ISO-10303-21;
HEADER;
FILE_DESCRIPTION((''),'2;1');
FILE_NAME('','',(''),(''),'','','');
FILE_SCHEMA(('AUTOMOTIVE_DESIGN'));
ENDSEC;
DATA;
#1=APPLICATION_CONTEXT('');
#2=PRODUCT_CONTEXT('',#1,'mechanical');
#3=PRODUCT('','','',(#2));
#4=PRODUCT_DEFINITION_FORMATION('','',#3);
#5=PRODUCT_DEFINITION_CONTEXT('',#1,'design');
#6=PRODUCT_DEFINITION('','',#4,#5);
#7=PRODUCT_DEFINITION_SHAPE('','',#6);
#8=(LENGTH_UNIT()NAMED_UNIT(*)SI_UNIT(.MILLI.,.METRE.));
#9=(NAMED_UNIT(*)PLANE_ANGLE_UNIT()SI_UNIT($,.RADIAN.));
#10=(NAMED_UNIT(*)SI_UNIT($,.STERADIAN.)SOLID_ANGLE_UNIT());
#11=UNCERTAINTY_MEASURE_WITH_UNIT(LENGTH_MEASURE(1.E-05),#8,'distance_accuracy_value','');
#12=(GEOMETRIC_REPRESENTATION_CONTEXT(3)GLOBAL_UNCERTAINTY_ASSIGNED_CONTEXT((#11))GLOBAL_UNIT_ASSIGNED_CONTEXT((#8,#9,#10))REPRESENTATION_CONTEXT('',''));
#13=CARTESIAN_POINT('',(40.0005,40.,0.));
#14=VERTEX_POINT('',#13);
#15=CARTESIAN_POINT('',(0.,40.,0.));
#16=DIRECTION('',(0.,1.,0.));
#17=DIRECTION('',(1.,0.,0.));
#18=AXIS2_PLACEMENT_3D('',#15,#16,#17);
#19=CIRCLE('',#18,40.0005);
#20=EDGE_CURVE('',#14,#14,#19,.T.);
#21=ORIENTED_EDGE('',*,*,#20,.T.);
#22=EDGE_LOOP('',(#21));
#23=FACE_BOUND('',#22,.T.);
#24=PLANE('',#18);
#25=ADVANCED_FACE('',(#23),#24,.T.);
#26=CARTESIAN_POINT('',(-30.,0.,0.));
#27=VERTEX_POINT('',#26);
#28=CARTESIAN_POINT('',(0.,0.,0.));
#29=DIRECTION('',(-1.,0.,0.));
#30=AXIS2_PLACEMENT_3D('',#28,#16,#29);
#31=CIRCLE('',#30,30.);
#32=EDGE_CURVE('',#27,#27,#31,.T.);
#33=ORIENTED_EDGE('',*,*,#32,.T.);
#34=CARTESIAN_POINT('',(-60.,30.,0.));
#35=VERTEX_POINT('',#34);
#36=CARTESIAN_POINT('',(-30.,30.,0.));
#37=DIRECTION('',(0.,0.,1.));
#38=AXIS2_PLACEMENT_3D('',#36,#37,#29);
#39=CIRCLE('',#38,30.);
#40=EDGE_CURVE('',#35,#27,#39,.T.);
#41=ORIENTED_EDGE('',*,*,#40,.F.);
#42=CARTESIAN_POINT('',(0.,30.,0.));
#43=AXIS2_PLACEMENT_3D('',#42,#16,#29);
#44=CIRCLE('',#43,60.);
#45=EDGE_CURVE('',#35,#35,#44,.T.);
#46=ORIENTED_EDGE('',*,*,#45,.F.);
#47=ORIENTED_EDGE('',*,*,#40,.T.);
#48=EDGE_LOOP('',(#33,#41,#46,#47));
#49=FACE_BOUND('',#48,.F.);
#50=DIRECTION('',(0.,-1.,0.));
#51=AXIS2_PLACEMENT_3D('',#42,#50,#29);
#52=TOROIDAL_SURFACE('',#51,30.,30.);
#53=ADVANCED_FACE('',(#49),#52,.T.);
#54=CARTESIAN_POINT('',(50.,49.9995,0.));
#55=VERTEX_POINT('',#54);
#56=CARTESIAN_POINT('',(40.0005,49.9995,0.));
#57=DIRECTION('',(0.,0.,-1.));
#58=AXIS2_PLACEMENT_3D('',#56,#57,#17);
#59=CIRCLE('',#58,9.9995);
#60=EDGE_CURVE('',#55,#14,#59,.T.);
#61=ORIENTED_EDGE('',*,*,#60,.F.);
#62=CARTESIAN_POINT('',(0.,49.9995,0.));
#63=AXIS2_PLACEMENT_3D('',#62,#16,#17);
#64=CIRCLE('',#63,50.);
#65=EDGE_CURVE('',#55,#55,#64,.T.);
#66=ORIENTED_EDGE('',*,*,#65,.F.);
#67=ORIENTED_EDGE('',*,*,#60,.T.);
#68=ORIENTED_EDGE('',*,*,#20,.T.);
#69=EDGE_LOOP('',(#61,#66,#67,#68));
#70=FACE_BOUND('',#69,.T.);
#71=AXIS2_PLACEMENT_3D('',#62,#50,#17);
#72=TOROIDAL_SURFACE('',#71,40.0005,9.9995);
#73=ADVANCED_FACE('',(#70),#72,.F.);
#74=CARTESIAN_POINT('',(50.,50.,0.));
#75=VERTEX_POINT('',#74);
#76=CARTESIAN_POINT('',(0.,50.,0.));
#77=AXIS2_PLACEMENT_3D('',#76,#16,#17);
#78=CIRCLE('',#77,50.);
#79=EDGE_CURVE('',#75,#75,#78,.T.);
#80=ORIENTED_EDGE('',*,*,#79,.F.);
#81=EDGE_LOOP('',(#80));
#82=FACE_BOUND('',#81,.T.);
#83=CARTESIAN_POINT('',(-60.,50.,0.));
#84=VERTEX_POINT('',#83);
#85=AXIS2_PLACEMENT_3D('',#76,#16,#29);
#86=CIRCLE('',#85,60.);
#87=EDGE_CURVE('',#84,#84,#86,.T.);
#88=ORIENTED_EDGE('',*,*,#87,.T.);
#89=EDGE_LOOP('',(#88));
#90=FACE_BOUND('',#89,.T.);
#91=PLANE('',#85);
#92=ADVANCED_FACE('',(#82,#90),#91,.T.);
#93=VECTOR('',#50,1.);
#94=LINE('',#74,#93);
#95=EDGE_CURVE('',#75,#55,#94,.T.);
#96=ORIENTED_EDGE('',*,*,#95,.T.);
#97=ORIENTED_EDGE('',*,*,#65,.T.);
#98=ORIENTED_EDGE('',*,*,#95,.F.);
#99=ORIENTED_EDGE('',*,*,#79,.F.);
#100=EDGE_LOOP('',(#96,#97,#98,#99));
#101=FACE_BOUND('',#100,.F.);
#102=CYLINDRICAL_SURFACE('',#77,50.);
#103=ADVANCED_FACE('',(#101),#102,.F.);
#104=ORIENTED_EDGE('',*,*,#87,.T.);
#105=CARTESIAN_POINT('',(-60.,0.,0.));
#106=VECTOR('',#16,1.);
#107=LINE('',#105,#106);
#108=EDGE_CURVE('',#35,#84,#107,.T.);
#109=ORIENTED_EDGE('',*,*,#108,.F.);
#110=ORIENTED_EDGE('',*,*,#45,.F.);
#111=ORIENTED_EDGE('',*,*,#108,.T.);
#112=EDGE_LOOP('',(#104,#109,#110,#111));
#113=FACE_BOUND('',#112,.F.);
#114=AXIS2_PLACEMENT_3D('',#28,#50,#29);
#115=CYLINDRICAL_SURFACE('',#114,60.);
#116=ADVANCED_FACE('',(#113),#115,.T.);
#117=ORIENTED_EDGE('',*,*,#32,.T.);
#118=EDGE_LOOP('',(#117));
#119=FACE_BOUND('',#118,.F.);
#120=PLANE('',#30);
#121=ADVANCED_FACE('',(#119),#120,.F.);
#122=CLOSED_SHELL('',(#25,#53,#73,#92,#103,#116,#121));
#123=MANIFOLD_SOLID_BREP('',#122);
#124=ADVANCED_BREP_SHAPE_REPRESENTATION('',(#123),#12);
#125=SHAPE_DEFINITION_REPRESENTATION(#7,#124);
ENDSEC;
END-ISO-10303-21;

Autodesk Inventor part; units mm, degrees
ref_plane "YZ Plane" through (0, 0, 0) normal (1, 0, 0) x (0, 1, 0)
ref_plane "XZ Plane" through (0, 0, 0) normal (0, 1, 0) x (-1, 0, 0)
ref_plane "XY Plane" through (0, 0, 0) normal (0, 0, 1) x (1, 0, 0)
sketch "Sketch1" plane through (0, 0, 0) normal (0, 1, 0) x (-1, 0, 0)
  circle A0 centre (0, 0) radius 60
  dimension "d0" = 120
extrude "Extrusion1" add sketch "Sketch1" along normal blind 50
sketch "Sketch2" plane through (0, 50, 0) normal (0, 1, 0) x (1, 0, 0)
  circle A0 centre (0, 0) radius 50
  dimension "d3" = 100
extrude "Extrusion2" cut sketch "Sketch2" against normal blind 10
fillet "Fillet1" radius 10 1 edges at (-50, 40, 0)
fillet "Fillet2" radius 30 1 edges at (60, 0, 0)
sketch "Sketch3" plane through (0, 0, 0) normal (1, 0, 0) x (0, 1, 0)
  point P0 (0, 0)
properties part number "cylinder_head"
